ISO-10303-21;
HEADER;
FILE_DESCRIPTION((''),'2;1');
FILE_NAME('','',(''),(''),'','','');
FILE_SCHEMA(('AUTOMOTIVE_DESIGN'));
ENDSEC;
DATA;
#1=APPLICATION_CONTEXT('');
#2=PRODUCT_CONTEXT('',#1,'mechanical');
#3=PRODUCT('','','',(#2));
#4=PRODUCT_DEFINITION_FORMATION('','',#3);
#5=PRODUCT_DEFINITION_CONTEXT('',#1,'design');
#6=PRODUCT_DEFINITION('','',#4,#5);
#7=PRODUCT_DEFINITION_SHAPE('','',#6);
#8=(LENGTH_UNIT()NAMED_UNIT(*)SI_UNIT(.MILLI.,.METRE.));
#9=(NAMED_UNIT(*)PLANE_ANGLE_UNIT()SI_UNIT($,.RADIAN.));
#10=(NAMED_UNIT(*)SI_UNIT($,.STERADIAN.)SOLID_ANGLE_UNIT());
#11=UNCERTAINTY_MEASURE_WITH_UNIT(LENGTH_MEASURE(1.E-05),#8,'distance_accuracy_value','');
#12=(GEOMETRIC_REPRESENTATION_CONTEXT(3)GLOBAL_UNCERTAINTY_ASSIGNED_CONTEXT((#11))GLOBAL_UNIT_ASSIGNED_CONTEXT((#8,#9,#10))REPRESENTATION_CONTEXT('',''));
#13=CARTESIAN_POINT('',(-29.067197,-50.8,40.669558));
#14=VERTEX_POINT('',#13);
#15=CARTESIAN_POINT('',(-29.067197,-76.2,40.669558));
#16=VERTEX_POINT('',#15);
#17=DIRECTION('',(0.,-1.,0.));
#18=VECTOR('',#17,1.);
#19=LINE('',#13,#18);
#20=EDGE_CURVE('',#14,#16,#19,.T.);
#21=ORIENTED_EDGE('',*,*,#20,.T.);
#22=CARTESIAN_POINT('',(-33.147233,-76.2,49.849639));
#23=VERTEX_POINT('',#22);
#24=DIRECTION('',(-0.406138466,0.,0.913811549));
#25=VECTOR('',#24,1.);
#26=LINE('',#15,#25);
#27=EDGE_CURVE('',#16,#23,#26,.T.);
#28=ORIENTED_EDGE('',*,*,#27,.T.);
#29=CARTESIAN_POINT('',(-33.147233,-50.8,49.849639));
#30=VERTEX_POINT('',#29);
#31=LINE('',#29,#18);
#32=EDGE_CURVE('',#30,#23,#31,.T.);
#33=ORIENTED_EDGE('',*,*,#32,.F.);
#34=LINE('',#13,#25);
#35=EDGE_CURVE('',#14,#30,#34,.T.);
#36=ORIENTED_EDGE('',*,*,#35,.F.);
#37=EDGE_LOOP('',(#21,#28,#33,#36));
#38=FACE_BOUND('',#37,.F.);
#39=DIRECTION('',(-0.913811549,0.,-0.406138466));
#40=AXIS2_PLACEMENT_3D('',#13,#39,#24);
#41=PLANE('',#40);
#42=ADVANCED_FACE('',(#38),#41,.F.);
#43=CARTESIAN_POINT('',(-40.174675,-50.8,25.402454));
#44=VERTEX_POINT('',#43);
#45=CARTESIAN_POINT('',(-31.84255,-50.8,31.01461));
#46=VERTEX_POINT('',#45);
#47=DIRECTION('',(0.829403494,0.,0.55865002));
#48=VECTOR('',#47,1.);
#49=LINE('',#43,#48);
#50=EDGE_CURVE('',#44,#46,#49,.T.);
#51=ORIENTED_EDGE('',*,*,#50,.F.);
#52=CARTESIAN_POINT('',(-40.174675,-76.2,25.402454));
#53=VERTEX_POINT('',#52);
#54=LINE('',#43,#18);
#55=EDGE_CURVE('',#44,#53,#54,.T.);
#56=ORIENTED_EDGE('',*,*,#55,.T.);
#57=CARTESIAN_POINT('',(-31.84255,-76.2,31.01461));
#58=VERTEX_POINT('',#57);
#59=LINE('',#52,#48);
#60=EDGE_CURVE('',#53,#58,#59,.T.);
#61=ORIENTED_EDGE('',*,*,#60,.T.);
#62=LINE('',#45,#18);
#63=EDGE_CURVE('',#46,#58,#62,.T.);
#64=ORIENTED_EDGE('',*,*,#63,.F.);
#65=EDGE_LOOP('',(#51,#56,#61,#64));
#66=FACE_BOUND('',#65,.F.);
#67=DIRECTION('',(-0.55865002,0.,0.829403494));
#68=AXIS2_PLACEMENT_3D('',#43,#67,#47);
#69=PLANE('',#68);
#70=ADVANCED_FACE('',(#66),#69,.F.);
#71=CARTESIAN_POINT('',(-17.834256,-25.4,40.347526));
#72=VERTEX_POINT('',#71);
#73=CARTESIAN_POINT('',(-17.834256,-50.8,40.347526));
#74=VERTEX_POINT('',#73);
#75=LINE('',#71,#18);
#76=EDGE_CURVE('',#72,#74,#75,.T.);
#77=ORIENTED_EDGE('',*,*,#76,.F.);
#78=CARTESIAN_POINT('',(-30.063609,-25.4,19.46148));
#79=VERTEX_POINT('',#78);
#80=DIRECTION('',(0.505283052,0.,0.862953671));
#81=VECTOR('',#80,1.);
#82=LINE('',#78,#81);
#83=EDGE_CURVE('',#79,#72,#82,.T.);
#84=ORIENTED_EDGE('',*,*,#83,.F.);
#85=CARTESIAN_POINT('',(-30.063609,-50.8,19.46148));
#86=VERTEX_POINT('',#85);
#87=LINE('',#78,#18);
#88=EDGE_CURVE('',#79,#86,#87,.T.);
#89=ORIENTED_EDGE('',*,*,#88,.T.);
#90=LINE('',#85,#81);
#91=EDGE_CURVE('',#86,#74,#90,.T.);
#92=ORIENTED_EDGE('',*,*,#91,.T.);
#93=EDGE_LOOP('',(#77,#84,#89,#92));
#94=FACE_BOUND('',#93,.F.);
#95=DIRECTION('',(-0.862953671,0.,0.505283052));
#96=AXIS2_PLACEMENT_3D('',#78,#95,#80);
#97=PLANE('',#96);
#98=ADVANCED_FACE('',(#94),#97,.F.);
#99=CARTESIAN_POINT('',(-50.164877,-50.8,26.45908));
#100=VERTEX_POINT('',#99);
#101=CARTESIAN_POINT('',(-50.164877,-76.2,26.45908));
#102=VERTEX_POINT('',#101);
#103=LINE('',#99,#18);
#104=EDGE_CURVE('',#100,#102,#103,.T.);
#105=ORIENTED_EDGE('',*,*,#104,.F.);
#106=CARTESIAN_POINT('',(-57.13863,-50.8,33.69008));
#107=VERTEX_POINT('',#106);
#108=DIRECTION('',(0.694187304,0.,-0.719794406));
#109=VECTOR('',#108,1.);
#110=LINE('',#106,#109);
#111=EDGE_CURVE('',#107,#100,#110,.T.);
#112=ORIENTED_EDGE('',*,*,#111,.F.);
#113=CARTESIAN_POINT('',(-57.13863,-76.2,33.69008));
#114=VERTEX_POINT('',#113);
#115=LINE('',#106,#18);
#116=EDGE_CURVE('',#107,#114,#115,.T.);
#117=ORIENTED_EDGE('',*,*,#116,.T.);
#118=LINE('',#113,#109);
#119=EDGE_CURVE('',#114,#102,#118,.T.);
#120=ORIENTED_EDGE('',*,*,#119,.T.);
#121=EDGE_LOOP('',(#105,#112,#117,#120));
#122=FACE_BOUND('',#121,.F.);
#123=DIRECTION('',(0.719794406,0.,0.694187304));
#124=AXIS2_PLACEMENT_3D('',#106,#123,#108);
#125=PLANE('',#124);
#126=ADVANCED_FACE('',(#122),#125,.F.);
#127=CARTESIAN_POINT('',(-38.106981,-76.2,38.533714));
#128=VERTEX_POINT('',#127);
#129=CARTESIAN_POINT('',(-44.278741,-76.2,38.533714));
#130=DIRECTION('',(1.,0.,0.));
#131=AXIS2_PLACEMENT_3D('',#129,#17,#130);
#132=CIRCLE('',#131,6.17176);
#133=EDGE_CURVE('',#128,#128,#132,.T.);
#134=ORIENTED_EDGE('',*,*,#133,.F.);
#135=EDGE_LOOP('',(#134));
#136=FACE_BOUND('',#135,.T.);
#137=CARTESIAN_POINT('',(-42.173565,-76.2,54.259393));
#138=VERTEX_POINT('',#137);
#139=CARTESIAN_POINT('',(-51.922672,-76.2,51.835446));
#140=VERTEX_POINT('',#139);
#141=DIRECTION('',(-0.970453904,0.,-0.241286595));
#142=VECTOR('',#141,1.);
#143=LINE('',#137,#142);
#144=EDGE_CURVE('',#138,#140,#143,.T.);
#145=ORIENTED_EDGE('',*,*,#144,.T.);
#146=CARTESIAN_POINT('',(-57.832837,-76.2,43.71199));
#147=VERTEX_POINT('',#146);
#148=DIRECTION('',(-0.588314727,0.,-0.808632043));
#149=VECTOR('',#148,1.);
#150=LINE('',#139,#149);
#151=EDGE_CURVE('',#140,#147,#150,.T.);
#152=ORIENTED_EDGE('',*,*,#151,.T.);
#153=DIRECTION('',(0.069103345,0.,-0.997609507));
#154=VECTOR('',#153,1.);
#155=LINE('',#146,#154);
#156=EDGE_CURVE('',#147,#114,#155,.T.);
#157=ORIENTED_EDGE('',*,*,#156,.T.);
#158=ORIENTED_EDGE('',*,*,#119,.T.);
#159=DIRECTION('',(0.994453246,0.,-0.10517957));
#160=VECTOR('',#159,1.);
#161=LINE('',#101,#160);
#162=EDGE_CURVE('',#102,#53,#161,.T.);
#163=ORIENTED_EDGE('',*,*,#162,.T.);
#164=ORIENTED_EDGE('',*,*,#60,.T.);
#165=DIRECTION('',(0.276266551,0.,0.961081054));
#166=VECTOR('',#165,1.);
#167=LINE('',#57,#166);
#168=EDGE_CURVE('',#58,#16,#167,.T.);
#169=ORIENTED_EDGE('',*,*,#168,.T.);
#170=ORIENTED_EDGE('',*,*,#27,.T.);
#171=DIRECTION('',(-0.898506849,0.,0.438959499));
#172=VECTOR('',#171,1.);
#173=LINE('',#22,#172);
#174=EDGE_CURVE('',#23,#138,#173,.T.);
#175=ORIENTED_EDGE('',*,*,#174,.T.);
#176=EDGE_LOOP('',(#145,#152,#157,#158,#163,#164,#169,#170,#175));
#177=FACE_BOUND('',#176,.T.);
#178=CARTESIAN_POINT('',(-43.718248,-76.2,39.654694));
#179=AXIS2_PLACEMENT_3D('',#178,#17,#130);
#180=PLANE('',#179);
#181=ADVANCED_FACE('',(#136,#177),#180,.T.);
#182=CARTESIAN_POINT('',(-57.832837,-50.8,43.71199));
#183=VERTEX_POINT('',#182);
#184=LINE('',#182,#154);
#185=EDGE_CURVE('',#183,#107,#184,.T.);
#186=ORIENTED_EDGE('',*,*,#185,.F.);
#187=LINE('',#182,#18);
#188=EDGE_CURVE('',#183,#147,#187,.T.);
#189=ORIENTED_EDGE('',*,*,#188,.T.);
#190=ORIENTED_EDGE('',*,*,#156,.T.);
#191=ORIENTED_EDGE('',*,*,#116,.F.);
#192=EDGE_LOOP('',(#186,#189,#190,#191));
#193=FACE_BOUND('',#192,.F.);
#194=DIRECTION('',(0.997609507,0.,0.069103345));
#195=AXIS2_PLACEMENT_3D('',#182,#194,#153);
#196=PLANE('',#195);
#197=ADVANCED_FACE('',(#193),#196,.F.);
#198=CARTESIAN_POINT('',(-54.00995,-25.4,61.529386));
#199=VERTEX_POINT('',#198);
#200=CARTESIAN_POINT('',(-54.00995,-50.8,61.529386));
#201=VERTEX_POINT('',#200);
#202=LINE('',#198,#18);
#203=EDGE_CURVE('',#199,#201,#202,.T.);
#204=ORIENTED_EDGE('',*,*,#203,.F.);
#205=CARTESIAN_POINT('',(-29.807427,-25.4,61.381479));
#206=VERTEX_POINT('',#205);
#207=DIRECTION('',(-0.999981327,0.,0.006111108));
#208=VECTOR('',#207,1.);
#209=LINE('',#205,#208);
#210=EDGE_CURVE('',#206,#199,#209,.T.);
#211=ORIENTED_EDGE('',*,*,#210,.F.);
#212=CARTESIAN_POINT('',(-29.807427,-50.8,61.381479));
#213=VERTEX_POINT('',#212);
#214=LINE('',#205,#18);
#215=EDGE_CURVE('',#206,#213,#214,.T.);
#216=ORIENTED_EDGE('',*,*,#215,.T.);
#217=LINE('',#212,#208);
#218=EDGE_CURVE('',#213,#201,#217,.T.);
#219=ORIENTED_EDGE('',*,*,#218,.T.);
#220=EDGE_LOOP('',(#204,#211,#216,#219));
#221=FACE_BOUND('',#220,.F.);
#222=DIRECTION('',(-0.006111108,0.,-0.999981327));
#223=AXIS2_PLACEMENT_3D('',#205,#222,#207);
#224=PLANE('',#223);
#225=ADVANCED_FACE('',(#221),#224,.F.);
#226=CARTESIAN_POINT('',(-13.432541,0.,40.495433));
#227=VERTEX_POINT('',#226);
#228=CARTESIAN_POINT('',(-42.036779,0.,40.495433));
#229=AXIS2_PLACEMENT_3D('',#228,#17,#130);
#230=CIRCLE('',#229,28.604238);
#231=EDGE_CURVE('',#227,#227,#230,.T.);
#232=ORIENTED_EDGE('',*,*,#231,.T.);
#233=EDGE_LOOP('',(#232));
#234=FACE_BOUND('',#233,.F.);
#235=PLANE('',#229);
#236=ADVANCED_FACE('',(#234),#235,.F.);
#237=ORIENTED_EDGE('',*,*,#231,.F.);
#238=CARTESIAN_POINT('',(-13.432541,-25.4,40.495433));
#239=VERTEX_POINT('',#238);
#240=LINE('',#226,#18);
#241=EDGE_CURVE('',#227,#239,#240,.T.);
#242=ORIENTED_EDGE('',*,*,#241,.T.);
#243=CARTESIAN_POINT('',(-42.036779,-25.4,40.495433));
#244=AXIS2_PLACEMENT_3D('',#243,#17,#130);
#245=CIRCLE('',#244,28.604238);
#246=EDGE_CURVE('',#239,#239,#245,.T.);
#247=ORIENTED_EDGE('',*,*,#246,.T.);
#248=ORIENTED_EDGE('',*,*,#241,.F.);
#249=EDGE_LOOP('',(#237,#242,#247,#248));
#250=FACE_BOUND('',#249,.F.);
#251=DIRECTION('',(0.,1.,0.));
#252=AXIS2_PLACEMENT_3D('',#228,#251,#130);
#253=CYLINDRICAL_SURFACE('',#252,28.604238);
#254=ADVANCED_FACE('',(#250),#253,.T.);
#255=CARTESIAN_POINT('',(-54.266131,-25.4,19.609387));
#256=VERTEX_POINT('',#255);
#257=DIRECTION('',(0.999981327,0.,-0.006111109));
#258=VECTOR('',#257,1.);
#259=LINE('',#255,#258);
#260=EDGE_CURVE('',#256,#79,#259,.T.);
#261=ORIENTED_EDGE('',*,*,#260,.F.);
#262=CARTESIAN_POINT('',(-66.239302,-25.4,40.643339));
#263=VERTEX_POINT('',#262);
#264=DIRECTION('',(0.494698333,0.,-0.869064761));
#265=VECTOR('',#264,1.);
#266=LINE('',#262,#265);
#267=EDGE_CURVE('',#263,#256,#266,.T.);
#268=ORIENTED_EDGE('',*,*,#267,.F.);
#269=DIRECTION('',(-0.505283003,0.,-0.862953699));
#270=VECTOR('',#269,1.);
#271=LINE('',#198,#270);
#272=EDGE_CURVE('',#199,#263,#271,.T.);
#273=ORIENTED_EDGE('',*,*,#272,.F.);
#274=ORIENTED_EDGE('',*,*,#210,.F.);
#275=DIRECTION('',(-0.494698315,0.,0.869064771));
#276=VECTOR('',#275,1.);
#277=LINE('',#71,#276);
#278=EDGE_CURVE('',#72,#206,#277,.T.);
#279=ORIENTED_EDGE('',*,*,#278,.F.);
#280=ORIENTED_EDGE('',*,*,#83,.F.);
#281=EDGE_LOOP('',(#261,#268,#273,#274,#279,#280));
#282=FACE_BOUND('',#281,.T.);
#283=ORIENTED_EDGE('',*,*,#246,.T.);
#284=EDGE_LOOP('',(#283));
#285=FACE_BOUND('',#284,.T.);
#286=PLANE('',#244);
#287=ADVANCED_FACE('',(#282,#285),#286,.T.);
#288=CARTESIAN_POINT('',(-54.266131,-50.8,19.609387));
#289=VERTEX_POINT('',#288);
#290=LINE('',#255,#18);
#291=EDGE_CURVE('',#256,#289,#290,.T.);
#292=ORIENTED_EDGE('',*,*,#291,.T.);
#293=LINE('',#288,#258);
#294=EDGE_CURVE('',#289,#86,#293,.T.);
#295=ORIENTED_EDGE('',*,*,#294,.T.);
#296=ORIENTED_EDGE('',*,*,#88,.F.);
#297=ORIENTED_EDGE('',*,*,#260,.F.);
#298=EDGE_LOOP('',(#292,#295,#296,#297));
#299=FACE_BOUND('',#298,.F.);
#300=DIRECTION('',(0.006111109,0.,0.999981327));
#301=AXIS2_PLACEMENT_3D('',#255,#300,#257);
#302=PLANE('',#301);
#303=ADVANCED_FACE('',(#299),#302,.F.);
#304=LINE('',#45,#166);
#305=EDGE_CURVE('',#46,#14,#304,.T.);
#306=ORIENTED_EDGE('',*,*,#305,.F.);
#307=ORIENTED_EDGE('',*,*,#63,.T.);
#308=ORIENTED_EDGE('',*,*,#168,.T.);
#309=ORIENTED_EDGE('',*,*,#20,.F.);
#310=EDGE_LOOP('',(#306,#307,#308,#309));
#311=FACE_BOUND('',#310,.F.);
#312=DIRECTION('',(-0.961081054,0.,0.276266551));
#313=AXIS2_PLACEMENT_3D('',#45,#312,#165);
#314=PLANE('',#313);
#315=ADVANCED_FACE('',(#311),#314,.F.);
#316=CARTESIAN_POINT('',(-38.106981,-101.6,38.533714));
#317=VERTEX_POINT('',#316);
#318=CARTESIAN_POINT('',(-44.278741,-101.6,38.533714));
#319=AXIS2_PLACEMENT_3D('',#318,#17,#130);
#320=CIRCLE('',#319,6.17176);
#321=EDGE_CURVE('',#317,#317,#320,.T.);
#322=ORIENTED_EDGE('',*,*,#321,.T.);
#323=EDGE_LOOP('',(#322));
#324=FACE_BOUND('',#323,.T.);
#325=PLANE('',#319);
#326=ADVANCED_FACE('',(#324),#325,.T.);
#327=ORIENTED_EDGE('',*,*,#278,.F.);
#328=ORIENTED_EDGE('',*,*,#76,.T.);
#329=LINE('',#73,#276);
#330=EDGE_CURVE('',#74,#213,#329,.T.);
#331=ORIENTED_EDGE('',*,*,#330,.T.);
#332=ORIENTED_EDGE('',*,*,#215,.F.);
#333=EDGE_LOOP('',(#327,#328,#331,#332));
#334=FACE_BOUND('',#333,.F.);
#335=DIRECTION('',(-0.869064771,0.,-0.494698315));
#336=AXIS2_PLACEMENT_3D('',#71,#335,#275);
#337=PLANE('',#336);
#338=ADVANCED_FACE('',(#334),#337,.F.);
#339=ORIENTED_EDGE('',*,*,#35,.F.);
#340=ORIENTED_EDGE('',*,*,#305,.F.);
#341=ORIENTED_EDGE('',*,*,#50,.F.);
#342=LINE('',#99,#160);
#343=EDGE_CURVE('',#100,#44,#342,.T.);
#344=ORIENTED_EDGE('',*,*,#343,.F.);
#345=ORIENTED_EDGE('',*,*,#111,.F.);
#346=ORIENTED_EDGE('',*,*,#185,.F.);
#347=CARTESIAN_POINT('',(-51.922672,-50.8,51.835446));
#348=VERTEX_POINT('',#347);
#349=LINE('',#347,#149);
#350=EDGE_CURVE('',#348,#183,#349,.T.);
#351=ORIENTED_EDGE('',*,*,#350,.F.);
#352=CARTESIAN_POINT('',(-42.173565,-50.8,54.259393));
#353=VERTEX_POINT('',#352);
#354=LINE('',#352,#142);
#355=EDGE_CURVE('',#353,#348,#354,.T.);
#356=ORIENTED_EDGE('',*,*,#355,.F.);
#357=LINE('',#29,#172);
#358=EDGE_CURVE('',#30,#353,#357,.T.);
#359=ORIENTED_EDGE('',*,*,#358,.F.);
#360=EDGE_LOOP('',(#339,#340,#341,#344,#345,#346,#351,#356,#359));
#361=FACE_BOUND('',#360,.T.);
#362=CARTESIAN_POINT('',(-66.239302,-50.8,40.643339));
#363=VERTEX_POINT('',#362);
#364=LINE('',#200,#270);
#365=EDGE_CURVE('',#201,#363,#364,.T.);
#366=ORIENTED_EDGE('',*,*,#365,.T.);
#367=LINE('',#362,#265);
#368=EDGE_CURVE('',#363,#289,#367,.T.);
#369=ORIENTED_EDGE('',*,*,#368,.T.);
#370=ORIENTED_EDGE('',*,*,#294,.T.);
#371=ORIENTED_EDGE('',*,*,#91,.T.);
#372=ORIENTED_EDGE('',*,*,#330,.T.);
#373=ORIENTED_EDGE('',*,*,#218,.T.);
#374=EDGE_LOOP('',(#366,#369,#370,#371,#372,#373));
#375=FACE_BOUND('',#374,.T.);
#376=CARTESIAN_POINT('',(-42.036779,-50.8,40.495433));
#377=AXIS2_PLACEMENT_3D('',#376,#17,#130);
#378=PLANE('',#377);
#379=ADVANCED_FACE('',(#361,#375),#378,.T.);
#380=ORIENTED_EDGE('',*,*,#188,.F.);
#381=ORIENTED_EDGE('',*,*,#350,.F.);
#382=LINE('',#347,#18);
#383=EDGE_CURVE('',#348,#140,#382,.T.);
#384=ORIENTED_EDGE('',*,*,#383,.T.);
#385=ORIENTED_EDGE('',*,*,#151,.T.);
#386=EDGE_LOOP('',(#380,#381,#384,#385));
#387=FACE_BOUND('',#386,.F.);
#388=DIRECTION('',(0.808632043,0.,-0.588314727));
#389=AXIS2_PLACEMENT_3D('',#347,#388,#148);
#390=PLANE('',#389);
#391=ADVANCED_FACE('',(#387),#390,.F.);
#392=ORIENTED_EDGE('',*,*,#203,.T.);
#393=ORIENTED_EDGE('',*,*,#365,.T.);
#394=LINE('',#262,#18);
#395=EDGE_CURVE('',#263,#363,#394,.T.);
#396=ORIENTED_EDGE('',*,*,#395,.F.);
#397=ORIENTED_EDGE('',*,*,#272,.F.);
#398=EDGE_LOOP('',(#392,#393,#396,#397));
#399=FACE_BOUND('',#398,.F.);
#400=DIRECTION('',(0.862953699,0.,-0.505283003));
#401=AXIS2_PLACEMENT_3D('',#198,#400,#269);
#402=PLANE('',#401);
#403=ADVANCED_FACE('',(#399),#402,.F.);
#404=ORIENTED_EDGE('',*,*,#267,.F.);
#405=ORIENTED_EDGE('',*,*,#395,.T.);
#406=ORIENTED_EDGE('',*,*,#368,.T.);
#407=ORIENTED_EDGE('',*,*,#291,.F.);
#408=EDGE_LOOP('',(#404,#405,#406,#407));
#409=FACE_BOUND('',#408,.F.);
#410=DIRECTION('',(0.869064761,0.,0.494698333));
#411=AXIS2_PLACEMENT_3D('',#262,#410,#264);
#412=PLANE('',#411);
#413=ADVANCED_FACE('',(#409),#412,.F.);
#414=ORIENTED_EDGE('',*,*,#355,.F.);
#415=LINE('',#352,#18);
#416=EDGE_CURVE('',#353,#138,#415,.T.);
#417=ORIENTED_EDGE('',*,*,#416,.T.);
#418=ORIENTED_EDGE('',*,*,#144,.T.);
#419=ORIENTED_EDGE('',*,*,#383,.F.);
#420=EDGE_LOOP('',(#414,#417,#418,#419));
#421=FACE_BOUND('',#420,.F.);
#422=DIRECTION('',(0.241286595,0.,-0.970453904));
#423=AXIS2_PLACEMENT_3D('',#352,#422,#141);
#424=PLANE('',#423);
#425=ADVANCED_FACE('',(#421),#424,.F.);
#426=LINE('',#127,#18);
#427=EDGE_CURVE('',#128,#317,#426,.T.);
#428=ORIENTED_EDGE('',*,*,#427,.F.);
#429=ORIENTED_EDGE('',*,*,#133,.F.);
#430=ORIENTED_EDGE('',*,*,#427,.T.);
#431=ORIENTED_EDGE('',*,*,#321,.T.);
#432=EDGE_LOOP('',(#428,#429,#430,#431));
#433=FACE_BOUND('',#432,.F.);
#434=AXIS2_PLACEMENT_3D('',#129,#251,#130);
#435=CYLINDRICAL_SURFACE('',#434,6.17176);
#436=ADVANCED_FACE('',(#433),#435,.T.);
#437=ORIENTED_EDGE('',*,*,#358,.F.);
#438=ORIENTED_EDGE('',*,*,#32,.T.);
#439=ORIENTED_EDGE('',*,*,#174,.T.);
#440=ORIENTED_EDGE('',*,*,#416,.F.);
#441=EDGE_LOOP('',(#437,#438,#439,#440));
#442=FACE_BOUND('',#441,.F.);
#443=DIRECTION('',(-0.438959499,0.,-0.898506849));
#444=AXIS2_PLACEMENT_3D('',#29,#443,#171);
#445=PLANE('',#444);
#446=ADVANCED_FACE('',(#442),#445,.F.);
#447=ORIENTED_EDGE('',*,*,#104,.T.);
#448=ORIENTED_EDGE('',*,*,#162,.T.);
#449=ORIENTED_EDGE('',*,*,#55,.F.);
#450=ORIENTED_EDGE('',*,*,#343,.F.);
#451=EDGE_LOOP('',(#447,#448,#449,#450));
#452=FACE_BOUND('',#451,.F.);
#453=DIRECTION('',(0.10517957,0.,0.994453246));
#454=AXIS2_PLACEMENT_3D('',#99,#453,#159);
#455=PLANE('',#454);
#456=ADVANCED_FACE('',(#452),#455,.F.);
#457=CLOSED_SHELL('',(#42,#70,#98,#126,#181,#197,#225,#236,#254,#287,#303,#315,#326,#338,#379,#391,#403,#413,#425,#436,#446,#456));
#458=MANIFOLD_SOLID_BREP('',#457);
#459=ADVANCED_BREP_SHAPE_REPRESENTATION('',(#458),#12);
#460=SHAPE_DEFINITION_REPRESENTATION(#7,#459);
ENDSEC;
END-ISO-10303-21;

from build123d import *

# Parameters (mm, degrees)
F0_R     = 28.604238
F1_DEPTH = 25.4
F3_DEPTH = 25.4
F5_DEPTH = 25.4
F6_R     = 6.17176
F7_DEPTH = 25.4


with BuildPart() as f1:
    # F0 (on Front) → F1 (new body)
    with BuildSketch(Plane.XZ):
        with Locations((-42.036779, 40.495433)):
            Circle(F0_R)
    extrude(amount=F1_DEPTH)

    # F2 (on face) → F3 (join)
    with BuildSketch(Plane.XZ.offset(25.4)):
        Polygon((-17.834256, 40.347526), (-29.807427, 61.381479), (-54.00995, 61.529386), (-66.239302, 40.643339), (-54.266131, 19.609387), (-30.063609, 19.46148), align=None)
    extrude(amount=F3_DEPTH)

    # F4 (on face) → F5 (join)
    with BuildSketch(Plane.XZ.offset(50.8)):
        Polygon((-29.067197, 40.669558), (-33.147233, 49.849639), (-42.173565, 54.259393), (-51.922672, 51.835446), (-57.832837, 43.71199), (-57.13863, 33.69008), (-50.164877, 26.45908), (-40.174675, 25.402454), (-31.84255, 31.01461), align=None)
    extrude(amount=F5_DEPTH)

    # F6 (on face) → F7 (join)
    with BuildSketch(Plane.XZ.offset(76.2)):
        with Locations((-44.278741, 38.533714)):
            Circle(F6_R)
    extrude(amount=F7_DEPTH)


solid = f1.part
